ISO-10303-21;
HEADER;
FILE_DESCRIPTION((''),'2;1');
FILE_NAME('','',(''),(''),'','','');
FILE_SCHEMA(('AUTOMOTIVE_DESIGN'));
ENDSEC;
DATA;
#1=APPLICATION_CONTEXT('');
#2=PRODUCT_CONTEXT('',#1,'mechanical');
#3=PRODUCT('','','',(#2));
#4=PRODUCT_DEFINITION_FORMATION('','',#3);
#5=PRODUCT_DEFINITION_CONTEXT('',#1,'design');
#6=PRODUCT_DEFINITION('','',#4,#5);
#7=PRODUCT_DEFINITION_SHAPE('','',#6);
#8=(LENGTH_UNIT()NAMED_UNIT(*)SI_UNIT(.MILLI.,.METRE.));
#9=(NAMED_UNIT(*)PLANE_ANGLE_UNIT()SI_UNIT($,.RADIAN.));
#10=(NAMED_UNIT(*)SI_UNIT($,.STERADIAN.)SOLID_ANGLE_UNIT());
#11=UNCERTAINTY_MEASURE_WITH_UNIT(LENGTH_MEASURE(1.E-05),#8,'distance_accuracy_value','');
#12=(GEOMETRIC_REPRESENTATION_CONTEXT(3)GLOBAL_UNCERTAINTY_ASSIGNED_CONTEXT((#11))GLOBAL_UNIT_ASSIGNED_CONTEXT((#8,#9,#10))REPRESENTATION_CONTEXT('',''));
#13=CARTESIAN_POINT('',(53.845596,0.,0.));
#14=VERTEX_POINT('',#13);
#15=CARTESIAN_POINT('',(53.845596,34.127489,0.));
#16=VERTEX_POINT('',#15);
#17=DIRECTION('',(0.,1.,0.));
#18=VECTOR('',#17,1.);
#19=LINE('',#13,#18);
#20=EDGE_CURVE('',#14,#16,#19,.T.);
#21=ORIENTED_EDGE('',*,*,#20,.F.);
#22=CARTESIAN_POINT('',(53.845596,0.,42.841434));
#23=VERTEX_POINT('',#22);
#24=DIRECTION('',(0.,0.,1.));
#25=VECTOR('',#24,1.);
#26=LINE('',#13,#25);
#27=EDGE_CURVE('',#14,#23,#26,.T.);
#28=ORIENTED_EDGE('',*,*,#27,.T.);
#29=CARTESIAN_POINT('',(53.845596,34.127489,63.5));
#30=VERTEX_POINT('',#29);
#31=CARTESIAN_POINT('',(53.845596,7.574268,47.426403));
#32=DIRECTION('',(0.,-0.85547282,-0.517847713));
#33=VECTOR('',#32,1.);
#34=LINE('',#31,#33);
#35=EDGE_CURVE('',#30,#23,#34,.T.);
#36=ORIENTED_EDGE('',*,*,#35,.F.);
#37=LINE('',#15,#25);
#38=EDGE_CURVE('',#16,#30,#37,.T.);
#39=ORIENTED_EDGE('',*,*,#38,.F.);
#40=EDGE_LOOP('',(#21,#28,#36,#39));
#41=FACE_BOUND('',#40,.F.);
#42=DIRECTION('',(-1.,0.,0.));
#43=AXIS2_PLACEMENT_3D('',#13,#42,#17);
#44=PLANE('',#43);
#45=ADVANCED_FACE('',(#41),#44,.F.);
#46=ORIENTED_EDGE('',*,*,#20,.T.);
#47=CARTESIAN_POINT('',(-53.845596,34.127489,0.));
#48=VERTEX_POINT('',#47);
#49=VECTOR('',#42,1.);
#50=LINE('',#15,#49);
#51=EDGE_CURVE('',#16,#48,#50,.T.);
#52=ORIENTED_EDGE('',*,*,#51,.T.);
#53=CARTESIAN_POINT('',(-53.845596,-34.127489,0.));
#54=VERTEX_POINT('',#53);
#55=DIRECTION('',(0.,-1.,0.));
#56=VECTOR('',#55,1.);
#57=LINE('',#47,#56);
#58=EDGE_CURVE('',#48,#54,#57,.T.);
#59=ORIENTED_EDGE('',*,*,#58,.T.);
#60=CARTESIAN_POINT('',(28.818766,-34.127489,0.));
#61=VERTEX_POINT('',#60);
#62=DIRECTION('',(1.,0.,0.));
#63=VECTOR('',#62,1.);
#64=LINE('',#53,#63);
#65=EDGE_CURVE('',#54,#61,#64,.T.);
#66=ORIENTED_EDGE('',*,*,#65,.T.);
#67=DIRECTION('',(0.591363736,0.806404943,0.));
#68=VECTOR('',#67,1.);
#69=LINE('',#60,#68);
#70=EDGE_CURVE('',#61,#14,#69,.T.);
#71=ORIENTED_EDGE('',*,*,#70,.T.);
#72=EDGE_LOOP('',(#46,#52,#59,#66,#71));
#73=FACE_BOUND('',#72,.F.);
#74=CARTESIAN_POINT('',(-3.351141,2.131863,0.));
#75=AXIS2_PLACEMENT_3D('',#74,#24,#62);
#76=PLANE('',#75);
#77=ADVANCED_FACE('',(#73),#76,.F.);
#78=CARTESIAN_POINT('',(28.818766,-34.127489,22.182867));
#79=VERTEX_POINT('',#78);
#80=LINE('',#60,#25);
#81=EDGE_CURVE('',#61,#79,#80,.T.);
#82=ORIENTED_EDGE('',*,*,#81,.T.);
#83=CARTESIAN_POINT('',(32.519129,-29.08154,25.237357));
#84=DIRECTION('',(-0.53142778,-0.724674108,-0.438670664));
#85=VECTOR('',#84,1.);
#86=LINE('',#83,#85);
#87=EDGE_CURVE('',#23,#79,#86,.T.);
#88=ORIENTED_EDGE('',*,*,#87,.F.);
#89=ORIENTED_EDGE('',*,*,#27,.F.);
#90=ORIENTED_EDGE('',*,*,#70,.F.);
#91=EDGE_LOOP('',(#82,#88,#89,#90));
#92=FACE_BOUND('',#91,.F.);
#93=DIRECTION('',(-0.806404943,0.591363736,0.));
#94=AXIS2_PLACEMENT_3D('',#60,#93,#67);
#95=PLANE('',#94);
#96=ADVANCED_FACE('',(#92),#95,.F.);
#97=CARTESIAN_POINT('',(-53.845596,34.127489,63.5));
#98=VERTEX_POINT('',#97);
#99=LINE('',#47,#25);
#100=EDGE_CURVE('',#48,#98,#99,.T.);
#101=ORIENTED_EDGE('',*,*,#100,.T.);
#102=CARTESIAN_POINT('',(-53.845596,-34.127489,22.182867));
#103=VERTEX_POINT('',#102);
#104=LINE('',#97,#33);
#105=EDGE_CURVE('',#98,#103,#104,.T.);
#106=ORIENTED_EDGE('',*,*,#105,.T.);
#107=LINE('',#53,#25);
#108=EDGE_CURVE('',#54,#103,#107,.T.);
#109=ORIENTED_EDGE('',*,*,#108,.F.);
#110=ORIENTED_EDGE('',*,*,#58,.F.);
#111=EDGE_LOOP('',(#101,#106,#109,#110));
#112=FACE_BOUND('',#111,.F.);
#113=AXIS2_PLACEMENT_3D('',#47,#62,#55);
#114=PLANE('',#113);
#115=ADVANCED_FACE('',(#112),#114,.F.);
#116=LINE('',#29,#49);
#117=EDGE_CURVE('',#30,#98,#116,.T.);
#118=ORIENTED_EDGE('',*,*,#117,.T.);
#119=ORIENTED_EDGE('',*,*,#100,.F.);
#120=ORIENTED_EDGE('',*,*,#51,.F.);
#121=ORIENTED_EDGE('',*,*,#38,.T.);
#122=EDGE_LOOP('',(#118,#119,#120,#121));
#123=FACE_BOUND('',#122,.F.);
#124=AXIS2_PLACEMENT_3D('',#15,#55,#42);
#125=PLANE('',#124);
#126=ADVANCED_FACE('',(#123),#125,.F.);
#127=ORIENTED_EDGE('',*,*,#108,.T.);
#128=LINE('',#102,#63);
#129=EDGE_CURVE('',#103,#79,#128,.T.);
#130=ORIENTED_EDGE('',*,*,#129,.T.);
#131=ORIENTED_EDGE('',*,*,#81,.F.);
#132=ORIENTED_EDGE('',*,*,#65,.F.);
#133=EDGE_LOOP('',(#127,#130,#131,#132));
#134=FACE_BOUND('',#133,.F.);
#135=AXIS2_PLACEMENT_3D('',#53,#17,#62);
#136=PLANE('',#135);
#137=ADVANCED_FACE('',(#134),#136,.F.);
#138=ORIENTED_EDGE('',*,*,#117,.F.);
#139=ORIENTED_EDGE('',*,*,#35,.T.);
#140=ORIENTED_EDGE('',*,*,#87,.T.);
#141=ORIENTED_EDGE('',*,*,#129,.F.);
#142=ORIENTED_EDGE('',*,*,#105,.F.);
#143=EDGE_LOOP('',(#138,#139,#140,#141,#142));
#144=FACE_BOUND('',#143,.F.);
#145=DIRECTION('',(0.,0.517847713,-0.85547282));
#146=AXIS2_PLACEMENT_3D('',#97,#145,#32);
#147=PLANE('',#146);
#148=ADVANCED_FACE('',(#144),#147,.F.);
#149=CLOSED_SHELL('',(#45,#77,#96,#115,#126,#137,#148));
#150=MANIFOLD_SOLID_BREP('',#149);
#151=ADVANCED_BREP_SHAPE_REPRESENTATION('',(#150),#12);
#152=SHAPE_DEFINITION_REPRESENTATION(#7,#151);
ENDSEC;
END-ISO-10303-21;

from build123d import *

# Parameters (mm, degrees)
F1_DEPTH = 63.5
F3_DEPTH = 107.692191


with BuildPart() as f1:
    # F0 (on Top) → F1 (new body)
    with BuildSketch(Plane.XY):
        Polygon((53.845596, 0), (53.845596, 34.127489), (-53.845596, 34.127489), (-53.845596, -34.127489), (28.818766, -34.127489), align=None)
    extrude(amount=F1_DEPTH)

    # F2 (on face) → F3 (cut, through all)
    with BuildSketch(Plane(origin=(-53.845596, 0, 0), x_dir=(0, -1, 0), z_dir=(-1, 0, 0))):
        Polygon((34.127489, 63.5), (-34.127489, 63.5), (34.127489, 22.182867), align=None)
    extrude(amount=-F3_DEPTH, mode=Mode.SUBTRACT)


solid = f1.part
